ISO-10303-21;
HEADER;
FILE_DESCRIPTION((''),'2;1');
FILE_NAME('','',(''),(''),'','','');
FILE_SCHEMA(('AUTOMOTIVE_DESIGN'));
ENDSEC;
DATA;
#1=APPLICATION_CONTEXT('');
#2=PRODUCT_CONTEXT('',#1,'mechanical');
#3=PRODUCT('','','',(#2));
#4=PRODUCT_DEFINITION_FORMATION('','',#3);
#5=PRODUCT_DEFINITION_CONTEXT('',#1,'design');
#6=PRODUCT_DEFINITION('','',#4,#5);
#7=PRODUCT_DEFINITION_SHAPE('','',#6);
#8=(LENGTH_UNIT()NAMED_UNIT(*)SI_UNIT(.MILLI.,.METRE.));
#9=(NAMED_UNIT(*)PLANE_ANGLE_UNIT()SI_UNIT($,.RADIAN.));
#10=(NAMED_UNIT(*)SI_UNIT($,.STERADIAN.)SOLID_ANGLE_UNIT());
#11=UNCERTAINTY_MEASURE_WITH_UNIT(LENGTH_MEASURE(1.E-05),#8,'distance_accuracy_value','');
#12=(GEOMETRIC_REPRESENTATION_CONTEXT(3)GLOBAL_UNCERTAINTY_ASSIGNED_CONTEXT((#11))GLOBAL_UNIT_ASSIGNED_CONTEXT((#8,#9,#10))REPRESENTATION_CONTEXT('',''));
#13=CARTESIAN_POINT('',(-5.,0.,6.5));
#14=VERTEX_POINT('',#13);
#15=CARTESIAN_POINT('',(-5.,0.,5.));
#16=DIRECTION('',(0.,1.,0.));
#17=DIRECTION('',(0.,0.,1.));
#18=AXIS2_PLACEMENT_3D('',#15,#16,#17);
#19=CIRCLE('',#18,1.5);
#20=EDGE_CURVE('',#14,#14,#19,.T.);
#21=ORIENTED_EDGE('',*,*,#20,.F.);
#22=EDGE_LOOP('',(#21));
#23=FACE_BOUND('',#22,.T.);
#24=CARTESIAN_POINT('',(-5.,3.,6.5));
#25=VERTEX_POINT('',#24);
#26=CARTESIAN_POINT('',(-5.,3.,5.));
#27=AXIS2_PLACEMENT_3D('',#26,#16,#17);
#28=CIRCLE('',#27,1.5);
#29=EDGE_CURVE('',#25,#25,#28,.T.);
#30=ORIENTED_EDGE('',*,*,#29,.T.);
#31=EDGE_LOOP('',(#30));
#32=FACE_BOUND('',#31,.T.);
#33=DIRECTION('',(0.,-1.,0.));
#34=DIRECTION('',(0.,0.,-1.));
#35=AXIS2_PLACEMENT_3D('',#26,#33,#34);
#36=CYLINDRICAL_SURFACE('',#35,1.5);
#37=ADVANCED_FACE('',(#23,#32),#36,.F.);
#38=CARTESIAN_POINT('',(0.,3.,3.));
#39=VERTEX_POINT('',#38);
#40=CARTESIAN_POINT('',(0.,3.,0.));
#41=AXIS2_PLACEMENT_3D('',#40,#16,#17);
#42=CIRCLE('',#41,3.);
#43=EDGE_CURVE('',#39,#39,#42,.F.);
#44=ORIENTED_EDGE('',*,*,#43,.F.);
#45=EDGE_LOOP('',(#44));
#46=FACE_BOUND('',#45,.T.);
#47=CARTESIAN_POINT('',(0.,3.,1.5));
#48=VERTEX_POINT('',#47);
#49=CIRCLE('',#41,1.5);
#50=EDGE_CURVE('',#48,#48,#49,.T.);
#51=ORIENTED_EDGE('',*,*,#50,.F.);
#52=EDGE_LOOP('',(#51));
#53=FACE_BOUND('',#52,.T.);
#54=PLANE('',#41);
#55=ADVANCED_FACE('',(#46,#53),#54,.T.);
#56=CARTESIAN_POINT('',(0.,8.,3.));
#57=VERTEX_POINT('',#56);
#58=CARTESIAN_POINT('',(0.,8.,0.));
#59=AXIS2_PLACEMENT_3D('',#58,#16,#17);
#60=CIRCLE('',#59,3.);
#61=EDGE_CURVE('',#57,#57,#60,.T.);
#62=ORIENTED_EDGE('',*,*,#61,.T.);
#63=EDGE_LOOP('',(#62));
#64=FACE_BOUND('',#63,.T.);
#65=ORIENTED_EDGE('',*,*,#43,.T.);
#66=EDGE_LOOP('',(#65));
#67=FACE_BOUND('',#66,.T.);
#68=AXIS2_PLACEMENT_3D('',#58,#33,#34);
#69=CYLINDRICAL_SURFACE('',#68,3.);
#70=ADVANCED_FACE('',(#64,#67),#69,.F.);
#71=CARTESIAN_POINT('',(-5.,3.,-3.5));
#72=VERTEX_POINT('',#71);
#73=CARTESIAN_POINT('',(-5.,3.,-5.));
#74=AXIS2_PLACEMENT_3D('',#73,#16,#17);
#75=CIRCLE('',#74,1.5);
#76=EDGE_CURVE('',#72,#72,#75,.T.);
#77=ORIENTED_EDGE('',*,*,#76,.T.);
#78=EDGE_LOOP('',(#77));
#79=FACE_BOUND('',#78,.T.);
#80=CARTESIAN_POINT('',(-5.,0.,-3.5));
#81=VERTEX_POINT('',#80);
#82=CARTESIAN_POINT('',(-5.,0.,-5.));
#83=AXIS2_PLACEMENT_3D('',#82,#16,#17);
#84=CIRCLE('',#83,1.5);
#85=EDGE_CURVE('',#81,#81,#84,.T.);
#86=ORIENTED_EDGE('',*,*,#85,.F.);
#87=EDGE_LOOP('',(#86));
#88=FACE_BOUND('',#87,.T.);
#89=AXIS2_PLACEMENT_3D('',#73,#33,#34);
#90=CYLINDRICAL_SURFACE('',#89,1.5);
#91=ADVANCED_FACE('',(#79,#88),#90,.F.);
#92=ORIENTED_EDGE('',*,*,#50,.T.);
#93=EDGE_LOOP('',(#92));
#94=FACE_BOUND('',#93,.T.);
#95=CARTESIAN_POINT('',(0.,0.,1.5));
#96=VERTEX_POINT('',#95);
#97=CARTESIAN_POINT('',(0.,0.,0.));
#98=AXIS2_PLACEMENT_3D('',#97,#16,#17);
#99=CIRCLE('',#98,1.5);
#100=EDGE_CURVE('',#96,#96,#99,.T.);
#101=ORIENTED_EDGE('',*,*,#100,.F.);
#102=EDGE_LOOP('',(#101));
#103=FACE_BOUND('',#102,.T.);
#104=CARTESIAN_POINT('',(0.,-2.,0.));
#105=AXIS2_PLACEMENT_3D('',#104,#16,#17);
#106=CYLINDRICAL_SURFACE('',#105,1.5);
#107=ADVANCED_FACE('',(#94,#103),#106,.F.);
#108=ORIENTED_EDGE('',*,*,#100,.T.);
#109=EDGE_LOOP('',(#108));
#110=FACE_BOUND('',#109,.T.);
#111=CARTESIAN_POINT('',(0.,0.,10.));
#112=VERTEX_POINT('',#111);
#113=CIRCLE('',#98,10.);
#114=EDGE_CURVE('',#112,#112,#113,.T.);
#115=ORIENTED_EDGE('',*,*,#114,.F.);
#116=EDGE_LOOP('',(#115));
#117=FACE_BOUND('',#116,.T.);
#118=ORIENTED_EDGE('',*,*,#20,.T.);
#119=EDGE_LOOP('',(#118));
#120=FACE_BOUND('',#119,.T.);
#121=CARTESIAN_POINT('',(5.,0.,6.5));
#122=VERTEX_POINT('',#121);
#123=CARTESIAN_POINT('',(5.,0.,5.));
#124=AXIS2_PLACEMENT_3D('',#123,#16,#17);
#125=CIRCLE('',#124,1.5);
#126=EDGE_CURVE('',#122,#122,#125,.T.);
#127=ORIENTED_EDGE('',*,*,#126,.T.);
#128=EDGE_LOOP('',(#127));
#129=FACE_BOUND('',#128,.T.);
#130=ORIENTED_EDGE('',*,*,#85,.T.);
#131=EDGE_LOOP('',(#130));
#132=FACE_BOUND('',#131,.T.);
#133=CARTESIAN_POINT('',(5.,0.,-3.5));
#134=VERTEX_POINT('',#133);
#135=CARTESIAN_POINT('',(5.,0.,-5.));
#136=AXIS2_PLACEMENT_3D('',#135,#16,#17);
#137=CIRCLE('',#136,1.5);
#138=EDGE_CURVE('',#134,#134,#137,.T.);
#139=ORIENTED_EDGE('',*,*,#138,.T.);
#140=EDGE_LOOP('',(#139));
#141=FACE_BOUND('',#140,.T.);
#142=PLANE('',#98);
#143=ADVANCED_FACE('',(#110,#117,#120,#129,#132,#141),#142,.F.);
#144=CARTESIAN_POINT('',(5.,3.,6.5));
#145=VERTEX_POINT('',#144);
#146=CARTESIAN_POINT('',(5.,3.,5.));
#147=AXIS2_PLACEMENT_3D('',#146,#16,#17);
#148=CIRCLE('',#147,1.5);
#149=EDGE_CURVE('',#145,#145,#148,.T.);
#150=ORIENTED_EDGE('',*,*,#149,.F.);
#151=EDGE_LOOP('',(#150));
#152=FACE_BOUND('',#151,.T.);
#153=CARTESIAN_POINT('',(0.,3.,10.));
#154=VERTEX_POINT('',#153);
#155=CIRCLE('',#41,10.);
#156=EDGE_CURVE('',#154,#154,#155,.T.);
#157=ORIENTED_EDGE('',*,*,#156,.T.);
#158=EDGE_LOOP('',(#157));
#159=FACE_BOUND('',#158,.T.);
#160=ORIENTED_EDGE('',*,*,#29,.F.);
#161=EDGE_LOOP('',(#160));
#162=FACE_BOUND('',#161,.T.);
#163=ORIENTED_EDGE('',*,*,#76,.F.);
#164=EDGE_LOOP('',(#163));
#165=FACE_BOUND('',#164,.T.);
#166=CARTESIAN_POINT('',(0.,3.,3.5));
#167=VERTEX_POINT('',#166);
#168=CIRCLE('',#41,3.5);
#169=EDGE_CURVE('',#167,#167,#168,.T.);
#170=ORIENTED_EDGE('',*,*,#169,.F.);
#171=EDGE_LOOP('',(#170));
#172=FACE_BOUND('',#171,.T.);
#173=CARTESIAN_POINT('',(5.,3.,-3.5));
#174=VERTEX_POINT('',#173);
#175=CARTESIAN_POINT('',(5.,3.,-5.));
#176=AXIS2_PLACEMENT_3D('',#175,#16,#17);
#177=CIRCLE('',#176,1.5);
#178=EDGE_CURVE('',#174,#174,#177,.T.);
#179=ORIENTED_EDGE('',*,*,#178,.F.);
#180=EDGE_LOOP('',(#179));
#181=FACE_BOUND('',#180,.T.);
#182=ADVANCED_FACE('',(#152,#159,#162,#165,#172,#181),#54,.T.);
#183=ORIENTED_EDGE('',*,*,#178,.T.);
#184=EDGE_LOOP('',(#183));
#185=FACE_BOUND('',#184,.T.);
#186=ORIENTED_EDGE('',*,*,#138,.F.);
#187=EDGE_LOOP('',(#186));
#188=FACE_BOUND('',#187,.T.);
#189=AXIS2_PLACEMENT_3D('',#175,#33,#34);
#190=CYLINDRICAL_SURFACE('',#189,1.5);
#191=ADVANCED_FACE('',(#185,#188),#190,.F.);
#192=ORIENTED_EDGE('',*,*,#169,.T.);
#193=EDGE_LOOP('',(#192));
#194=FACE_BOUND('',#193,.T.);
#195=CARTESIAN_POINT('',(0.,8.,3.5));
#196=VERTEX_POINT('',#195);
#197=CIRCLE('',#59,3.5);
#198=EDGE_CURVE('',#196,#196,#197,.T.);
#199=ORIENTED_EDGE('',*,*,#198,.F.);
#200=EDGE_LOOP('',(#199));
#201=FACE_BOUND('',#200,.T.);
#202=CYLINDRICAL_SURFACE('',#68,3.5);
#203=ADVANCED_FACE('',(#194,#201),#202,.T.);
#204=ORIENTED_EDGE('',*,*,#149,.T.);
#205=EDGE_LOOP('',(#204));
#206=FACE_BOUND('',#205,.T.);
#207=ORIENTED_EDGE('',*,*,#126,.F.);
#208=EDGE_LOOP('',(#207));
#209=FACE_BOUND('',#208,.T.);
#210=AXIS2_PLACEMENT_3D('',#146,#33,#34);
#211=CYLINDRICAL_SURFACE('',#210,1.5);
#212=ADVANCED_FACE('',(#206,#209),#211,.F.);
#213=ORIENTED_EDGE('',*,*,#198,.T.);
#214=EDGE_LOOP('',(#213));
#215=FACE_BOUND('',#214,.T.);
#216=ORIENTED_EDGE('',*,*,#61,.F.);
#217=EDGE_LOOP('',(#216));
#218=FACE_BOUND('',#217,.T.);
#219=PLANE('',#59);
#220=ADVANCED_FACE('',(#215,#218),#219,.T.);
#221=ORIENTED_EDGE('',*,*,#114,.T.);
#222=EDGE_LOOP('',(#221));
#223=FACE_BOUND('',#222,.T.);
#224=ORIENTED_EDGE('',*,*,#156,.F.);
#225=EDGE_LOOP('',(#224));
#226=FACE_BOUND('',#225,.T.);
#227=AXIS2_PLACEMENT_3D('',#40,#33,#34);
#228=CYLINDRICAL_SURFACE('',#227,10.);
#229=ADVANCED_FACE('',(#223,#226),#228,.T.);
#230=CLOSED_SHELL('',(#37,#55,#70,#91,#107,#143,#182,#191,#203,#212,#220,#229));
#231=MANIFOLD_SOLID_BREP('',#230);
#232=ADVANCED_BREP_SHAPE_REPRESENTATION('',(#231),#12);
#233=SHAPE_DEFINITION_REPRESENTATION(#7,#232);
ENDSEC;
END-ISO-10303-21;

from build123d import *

# Parameters (mm, degrees)
SKETCH_1_R          = 10
SKETCH_1_R_2        = 1.5
EXTRUDE_1_DEPTH     = 3
SKETCH_2_R          = 3.5
SKETCH_2_R_2        = 3
EXTRUDE_2_DEPTH     = 5
SKETCH_3_R          = 1.5
CUT_EXTRUDE_1_DEPTH = 5


with BuildPart() as part:
    # 草图1 → 凸台-拉伸1 (new body)
    with BuildSketch(Plane(origin=(0, 0, 0), x_dir=(1, 0, 0), z_dir=(0, 1, 0))):
        with Locations(Location((0, 0, 0), (0, 0, 270))):
            Circle(SKETCH_1_R)
        with Locations(Location((-5, 5, 0), (0, 0, 270))):
            Circle(SKETCH_1_R_2, mode=Mode.SUBTRACT)
        with Locations(Location((5, 5, 0), (0, 0, 270))):
            Circle(SKETCH_1_R_2, mode=Mode.SUBTRACT)
        with Locations(Location((5, -5, 0), (0, 0, 270))):
            Circle(SKETCH_1_R_2, mode=Mode.SUBTRACT)
        with Locations(Location((-5, -5, 0), (0, 0, 270))):
            Circle(SKETCH_1_R_2, mode=Mode.SUBTRACT)
    extrude(amount=EXTRUDE_1_DEPTH)

    # 草图2 → 凸台-拉伸2 (add)
    with BuildSketch(Plane(origin=(0, 3, 0), x_dir=(1, 0, 0), z_dir=(0, 1, 0))):
        with Locations(Location((0, 0, 0), (0, 0, 270))):
            Circle(SKETCH_2_R)
        with Locations(Location((0, 0, 0), (0, 0, 270))):
            Circle(SKETCH_2_R_2, mode=Mode.SUBTRACT)
    extrude(amount=EXTRUDE_2_DEPTH)

    # 草图3 → 切除-拉伸1 (cut)
    with BuildSketch(Plane(origin=(0, 3, 0), x_dir=(1, 0, 0), z_dir=(0, 1, 0))):
        with Locations(Location((0, 0, 0), (0, 0, 270))):
            Circle(SKETCH_3_R)
    extrude(amount=-CUT_EXTRUDE_1_DEPTH, mode=Mode.SUBTRACT)


solid = part.part
